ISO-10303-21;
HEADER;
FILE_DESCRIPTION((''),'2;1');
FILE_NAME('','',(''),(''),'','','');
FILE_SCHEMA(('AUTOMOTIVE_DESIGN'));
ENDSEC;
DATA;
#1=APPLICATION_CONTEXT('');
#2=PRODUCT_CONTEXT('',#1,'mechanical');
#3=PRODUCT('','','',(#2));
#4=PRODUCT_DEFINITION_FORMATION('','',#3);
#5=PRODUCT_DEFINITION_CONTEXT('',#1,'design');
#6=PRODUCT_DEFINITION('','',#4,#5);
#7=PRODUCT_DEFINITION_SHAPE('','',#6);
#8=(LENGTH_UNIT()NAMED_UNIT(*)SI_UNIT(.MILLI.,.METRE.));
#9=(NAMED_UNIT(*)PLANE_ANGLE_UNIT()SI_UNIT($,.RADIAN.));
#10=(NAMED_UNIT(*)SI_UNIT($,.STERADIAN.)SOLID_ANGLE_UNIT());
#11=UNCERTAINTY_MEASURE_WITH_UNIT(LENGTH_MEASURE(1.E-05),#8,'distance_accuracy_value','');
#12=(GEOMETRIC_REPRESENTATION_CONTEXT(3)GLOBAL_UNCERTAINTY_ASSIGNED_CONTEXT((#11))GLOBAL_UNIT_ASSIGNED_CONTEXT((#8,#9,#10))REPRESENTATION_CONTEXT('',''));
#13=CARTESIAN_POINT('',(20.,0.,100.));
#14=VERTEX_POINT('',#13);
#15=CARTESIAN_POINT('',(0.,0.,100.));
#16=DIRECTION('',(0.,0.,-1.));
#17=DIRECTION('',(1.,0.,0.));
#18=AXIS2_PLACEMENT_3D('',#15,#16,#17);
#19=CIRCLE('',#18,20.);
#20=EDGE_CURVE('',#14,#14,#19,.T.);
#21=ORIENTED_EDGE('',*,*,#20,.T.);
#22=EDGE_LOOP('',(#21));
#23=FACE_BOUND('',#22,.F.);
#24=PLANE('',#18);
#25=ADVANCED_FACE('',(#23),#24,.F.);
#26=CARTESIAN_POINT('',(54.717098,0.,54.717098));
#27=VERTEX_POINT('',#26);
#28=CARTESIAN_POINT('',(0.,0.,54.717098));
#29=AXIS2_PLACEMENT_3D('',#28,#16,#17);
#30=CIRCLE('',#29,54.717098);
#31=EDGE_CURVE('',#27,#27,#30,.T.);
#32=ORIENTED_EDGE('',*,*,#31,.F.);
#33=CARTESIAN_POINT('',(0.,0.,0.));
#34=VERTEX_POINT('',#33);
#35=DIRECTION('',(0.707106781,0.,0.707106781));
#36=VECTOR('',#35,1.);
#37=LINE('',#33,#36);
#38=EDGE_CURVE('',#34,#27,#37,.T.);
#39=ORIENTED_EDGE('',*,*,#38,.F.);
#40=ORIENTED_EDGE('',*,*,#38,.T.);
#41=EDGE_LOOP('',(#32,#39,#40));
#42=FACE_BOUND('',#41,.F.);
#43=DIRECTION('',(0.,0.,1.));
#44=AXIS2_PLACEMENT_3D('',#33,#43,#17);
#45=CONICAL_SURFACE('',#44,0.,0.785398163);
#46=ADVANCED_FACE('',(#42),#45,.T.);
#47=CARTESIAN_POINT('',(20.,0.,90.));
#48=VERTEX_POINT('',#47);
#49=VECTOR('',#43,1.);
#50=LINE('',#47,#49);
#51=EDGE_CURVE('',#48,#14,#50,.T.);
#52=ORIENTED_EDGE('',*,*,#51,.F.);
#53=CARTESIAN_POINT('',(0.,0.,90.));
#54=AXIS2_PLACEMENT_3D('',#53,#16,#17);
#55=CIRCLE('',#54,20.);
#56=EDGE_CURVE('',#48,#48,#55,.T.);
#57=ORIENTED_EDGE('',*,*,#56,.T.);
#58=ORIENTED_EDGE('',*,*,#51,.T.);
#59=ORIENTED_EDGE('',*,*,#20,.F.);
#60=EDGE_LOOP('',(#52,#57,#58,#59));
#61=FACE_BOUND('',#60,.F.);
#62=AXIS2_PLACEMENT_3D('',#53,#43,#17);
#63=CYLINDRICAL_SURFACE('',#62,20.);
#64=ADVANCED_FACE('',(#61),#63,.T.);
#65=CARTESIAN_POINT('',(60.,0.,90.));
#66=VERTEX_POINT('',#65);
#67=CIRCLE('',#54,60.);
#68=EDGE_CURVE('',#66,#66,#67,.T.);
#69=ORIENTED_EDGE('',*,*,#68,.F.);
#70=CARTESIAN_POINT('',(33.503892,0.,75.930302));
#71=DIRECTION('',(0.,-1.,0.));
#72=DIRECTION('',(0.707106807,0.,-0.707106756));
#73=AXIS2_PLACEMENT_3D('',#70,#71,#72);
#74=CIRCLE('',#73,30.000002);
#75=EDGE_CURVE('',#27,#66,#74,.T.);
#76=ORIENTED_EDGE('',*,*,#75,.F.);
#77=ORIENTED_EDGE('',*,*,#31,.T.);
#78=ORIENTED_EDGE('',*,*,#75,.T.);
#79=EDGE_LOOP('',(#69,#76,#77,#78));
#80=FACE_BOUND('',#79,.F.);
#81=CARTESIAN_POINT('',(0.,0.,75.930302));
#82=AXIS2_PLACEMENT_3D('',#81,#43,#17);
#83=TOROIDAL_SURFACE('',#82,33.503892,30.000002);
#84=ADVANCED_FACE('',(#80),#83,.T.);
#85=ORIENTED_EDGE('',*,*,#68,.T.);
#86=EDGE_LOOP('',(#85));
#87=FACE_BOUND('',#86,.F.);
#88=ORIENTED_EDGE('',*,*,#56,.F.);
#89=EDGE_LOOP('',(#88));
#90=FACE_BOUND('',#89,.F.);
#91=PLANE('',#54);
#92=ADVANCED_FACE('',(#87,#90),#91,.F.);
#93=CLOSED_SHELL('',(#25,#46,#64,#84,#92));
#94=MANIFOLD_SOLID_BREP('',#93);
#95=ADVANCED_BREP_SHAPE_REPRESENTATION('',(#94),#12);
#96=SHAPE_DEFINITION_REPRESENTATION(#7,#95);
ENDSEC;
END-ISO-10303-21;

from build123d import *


with BuildPart() as f1:
    # F0 (on Front) → F1 (revolve)
    with BuildSketch(Plane.XZ):
        with BuildLine():
            Line((20, 100), (0, 100))
            Line((0, 100), (0, 0))
            Line((0, 0), (54.717098, 54.717098))
            ThreePointArc((54.717098, 54.717098), (63.17316, 71.487929), (60, 90))
            Line((60, 90), (20, 90))
            Line((20, 90), (20, 100))
        make_face()
    revolve(axis=Axis((0, 0, 50), (0, 0, -1)))


solid = f1.part
